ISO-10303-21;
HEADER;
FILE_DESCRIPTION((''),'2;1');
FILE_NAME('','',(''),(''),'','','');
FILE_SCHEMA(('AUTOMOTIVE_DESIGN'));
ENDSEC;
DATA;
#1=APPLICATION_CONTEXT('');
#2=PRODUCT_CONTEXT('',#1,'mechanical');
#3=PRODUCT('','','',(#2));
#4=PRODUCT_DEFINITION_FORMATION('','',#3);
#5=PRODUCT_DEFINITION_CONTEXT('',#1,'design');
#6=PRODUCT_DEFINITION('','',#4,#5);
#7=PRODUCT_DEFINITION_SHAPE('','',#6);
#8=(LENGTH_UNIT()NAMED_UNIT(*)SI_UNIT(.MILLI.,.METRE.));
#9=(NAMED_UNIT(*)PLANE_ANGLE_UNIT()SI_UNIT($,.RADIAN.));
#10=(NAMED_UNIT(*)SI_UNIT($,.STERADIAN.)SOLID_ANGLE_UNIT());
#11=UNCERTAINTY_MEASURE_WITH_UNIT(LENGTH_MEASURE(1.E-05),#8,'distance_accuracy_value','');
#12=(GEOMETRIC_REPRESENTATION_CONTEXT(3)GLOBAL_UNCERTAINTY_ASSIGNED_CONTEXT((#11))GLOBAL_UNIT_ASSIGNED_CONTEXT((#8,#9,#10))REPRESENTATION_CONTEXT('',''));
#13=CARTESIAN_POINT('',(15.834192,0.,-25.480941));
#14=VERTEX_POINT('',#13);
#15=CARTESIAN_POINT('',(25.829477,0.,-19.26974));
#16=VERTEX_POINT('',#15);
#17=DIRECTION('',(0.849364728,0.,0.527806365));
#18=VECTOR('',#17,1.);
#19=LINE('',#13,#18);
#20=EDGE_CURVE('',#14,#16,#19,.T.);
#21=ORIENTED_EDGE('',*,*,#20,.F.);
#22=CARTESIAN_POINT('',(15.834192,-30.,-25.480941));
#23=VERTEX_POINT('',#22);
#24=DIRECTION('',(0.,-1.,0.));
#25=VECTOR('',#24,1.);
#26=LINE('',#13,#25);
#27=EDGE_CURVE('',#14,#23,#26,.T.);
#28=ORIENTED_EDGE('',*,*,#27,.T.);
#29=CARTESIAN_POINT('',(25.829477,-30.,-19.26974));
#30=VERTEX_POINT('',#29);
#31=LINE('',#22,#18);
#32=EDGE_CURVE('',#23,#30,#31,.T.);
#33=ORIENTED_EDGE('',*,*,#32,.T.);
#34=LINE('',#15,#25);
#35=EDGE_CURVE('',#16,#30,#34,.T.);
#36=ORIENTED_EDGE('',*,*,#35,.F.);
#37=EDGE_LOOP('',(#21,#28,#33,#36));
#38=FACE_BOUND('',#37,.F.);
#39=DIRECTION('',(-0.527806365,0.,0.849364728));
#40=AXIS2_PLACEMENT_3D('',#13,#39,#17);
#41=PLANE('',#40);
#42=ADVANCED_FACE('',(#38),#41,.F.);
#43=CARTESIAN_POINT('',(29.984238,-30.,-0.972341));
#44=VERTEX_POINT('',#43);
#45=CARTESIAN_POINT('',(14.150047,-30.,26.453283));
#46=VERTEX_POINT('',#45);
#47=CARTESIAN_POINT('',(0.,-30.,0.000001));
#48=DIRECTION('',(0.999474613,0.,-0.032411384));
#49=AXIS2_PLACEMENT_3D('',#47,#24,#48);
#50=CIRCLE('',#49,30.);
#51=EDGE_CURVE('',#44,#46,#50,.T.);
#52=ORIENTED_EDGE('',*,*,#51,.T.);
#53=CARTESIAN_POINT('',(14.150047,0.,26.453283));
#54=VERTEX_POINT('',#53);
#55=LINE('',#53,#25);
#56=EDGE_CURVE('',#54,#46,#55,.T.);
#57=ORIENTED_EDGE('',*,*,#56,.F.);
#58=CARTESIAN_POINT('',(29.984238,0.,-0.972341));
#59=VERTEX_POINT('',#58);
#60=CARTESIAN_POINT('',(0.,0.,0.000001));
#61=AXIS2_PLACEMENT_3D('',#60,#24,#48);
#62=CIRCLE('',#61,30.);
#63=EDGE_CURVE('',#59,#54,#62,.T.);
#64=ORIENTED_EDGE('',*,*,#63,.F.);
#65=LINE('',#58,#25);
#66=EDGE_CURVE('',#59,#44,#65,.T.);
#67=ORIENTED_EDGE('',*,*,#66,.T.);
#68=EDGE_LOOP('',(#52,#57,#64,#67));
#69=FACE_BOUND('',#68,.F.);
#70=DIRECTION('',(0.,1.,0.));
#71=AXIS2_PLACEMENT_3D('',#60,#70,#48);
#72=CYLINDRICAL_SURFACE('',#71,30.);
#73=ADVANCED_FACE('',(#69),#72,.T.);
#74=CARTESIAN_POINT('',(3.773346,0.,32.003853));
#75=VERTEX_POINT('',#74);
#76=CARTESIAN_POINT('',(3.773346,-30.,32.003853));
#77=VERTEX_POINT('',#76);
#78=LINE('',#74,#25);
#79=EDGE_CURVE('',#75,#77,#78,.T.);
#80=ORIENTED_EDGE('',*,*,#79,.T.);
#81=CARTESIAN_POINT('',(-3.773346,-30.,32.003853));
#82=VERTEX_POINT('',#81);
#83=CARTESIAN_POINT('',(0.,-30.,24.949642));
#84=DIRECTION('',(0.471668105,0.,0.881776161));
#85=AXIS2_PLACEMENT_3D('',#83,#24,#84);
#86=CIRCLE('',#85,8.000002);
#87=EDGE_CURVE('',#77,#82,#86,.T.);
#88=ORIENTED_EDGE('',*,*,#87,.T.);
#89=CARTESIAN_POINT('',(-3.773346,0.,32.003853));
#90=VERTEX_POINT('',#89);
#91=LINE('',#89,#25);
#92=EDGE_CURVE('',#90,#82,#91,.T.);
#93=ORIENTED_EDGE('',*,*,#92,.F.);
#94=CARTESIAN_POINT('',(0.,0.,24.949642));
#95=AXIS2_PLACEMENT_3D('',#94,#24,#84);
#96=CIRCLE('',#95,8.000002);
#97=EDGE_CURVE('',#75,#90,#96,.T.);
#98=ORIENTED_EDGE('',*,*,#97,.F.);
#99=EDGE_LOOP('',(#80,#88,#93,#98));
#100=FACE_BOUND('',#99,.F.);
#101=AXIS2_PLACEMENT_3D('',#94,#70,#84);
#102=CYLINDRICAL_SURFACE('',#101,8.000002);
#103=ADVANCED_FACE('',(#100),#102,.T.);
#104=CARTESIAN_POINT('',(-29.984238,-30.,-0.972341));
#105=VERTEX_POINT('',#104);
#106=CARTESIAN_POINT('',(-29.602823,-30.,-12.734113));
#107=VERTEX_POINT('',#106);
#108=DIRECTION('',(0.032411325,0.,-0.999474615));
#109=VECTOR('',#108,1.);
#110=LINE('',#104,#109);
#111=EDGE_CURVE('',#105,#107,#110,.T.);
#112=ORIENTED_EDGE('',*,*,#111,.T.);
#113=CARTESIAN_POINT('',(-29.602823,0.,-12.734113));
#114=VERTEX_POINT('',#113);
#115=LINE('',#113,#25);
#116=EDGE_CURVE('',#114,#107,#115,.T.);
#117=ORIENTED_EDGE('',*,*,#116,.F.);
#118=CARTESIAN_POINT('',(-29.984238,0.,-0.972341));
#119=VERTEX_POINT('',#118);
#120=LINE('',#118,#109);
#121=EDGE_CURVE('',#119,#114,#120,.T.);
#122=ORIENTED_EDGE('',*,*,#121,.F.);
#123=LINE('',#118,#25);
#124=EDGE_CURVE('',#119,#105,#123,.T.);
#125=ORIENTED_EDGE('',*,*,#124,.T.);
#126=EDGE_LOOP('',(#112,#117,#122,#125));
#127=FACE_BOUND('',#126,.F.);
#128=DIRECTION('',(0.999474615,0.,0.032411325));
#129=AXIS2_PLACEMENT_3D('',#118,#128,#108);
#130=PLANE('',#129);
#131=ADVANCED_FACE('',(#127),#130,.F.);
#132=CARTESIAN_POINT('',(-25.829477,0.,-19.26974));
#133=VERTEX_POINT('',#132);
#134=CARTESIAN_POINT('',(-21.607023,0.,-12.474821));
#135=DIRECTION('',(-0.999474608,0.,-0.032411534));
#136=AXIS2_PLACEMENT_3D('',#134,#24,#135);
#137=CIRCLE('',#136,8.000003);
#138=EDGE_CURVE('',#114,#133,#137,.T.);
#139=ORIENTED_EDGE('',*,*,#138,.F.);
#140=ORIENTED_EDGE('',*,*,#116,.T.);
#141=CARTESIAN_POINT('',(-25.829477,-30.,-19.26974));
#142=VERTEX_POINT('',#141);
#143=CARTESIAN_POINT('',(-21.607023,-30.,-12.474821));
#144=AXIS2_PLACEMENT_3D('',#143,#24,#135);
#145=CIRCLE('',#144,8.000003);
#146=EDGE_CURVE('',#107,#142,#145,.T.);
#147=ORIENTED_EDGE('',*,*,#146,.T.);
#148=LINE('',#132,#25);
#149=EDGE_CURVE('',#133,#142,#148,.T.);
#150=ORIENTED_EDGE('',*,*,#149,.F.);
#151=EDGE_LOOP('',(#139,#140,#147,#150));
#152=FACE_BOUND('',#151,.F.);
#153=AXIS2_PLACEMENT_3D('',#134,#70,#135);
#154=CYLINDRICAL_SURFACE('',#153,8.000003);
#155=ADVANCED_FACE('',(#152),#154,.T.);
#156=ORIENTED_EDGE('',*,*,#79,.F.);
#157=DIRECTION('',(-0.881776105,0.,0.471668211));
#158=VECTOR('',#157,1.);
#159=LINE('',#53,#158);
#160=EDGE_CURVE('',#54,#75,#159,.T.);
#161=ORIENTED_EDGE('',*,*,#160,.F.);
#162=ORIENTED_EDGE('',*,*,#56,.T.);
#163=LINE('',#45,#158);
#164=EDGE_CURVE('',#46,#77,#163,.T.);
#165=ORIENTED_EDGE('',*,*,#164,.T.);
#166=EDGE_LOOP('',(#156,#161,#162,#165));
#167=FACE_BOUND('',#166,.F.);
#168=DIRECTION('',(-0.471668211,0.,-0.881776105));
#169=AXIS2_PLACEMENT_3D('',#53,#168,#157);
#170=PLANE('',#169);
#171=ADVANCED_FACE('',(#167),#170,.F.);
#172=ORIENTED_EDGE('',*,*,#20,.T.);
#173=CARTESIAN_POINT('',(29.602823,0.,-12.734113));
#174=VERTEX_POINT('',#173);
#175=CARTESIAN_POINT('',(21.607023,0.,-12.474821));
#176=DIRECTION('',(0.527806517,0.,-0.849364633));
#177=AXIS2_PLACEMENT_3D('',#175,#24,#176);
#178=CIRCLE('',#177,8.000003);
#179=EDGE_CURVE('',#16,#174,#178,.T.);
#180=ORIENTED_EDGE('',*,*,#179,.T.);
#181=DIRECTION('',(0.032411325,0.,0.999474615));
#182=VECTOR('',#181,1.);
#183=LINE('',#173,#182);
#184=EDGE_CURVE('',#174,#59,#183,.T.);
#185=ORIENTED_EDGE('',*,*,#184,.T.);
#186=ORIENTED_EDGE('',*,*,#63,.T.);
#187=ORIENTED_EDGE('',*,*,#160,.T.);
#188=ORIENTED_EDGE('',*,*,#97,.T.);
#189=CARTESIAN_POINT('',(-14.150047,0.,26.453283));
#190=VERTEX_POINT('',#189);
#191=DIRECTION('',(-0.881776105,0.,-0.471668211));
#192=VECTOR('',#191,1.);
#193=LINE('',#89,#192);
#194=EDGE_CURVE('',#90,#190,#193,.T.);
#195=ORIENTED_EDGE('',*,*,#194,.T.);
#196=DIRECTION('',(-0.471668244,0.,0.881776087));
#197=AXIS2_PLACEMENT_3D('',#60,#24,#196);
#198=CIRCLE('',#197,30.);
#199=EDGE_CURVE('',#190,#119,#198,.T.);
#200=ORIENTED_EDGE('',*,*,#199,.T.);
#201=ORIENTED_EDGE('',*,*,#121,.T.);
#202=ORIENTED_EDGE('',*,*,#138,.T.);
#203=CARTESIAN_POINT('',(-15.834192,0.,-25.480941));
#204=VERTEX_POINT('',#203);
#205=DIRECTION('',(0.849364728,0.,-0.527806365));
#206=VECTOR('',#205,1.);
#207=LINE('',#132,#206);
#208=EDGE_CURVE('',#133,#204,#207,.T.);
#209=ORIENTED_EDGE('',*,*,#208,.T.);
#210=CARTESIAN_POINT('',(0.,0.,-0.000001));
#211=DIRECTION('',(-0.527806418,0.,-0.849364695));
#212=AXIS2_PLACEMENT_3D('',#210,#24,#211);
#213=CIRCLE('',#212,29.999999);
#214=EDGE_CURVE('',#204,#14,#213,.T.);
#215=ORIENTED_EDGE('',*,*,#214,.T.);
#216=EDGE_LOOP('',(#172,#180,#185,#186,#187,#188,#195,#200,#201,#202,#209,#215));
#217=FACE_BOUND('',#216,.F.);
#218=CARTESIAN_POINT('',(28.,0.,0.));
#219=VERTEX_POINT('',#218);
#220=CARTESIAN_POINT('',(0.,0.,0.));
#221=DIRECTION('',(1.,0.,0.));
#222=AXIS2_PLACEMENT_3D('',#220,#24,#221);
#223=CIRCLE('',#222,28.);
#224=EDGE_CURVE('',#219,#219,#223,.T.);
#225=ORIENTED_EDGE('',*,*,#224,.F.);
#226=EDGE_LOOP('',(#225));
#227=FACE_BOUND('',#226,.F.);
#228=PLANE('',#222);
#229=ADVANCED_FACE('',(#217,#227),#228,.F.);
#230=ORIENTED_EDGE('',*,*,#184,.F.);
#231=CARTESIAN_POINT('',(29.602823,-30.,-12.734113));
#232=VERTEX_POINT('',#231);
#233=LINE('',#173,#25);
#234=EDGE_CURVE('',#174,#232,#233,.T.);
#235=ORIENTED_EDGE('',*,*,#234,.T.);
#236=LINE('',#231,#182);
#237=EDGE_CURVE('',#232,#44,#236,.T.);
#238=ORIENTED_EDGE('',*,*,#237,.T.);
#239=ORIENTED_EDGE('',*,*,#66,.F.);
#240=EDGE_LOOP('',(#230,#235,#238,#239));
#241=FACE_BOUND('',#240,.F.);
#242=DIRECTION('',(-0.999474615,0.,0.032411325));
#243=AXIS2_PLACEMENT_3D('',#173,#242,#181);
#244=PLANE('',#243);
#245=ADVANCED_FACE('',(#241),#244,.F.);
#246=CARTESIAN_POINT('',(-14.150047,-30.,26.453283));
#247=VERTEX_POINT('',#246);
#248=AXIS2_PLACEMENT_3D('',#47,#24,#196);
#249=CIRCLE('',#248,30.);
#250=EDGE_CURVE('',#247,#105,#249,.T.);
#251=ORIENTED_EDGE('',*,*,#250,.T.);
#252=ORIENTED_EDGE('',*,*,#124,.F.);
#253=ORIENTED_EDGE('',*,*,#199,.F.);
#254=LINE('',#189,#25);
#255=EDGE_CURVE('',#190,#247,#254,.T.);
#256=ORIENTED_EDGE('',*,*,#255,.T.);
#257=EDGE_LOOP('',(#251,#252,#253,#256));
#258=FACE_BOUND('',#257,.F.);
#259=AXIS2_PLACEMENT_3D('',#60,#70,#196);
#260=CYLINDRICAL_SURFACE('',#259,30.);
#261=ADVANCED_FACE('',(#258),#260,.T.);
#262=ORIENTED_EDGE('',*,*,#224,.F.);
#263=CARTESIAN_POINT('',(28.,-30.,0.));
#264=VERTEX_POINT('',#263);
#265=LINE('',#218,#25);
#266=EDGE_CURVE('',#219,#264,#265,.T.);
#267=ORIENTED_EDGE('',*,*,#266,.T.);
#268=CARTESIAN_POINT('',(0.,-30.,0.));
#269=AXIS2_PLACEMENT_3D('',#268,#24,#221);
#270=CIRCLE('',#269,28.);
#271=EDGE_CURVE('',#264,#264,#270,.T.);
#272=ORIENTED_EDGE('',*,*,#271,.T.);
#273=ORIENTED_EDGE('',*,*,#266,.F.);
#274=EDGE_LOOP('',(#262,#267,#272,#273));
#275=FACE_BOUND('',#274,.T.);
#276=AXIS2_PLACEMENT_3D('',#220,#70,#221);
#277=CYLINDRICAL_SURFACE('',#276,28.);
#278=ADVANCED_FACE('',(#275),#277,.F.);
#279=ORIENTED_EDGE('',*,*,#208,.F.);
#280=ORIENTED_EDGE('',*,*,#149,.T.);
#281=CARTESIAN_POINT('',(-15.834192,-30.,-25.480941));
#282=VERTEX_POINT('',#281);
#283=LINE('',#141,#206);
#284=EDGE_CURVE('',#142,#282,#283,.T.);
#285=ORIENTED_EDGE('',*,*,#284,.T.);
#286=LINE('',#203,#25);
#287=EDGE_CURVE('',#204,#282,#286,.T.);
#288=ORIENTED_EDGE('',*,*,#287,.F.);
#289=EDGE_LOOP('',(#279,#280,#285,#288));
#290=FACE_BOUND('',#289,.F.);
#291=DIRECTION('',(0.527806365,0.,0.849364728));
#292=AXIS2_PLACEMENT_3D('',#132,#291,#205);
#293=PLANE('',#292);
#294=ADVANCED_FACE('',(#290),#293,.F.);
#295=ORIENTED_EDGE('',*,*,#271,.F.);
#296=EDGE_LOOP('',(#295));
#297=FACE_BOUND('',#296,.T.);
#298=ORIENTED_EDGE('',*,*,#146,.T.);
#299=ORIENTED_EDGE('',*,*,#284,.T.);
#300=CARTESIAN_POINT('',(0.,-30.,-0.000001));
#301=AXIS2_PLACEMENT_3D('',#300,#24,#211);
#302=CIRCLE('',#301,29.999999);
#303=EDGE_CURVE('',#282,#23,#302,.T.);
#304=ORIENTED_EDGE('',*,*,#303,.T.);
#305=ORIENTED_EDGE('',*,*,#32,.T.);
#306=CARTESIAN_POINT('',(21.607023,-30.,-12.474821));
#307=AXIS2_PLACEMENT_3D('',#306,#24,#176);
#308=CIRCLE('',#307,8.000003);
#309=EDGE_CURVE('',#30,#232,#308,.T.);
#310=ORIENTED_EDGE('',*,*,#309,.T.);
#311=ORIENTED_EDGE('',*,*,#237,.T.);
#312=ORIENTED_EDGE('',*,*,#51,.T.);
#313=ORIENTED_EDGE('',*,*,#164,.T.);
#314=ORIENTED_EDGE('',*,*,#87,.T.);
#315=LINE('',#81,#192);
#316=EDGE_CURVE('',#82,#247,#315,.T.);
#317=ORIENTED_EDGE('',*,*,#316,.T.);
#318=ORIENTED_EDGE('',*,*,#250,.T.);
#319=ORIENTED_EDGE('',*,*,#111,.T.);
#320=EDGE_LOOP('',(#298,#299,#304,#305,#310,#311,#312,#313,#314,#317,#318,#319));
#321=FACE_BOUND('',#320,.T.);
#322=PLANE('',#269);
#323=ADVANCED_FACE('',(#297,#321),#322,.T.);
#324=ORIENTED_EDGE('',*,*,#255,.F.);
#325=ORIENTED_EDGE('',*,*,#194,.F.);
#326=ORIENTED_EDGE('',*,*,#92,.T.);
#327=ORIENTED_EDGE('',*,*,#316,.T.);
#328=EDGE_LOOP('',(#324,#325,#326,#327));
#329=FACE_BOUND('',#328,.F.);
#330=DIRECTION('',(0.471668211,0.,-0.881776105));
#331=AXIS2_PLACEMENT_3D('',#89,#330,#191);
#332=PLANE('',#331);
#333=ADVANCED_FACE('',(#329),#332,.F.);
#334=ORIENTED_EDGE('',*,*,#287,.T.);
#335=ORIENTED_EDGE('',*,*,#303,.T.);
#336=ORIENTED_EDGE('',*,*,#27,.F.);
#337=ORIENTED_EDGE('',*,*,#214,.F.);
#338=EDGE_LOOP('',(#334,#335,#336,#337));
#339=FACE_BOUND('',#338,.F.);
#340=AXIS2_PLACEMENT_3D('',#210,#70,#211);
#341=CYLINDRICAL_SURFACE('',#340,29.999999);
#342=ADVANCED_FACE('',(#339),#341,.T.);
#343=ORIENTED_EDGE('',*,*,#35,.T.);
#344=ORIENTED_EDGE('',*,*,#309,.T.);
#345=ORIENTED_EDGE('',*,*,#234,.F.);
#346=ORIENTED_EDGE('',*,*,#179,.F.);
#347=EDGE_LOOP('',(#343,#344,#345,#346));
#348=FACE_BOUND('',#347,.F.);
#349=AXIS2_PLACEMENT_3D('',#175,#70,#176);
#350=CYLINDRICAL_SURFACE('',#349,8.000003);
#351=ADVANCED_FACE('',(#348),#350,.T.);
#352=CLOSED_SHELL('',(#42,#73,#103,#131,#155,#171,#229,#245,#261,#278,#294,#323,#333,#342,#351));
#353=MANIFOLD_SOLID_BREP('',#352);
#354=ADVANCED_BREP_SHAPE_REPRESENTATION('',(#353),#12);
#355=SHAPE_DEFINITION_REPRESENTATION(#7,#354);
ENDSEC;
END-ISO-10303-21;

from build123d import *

# Parameters (mm, degrees)
F0_R     = 28
F1_DEPTH = 30


with BuildPart() as f1:
    # F0 (on Front) → F1 (new body)
    with BuildSketch(Plane.XZ):
        with BuildLine():
            Line((-3.773346, 32.003853), (-14.150047, 26.453283))
            ThreePointArc((-14.150047, 26.453283), (-25.980762, 15), (-29.984238, -0.972341))
            Line((-29.984238, -0.972341), (-29.602823, -12.734113))
            ThreePointArc((-29.602823, -12.734113), (-28.535229, -16.474822), (-25.829477, -19.26974))
            Line((-25.829477, -19.26974), (-15.834192, -25.480941))
            ThreePointArc((-15.834192, -25.480941), (0, -30), (15.834192, -25.480941))
            Line((15.834192, -25.480941), (25.829477, -19.26974))
            ThreePointArc((25.829477, -19.26974), (28.535229, -16.474822), (29.602823, -12.734113))
            Line((29.602823, -12.734113), (29.984238, -0.972341))
            ThreePointArc((29.984238, -0.972341), (25.980762, 15), (14.150047, 26.453283))
            Line((14.150047, 26.453283), (3.773346, 32.003853))
            ThreePointArc((3.773346, 32.003853), (0, 32.949644), (-3.773346, 32.003853))
        make_face()
        Circle(F0_R, mode=Mode.SUBTRACT)
    extrude(amount=F1_DEPTH)


solid = f1.part
